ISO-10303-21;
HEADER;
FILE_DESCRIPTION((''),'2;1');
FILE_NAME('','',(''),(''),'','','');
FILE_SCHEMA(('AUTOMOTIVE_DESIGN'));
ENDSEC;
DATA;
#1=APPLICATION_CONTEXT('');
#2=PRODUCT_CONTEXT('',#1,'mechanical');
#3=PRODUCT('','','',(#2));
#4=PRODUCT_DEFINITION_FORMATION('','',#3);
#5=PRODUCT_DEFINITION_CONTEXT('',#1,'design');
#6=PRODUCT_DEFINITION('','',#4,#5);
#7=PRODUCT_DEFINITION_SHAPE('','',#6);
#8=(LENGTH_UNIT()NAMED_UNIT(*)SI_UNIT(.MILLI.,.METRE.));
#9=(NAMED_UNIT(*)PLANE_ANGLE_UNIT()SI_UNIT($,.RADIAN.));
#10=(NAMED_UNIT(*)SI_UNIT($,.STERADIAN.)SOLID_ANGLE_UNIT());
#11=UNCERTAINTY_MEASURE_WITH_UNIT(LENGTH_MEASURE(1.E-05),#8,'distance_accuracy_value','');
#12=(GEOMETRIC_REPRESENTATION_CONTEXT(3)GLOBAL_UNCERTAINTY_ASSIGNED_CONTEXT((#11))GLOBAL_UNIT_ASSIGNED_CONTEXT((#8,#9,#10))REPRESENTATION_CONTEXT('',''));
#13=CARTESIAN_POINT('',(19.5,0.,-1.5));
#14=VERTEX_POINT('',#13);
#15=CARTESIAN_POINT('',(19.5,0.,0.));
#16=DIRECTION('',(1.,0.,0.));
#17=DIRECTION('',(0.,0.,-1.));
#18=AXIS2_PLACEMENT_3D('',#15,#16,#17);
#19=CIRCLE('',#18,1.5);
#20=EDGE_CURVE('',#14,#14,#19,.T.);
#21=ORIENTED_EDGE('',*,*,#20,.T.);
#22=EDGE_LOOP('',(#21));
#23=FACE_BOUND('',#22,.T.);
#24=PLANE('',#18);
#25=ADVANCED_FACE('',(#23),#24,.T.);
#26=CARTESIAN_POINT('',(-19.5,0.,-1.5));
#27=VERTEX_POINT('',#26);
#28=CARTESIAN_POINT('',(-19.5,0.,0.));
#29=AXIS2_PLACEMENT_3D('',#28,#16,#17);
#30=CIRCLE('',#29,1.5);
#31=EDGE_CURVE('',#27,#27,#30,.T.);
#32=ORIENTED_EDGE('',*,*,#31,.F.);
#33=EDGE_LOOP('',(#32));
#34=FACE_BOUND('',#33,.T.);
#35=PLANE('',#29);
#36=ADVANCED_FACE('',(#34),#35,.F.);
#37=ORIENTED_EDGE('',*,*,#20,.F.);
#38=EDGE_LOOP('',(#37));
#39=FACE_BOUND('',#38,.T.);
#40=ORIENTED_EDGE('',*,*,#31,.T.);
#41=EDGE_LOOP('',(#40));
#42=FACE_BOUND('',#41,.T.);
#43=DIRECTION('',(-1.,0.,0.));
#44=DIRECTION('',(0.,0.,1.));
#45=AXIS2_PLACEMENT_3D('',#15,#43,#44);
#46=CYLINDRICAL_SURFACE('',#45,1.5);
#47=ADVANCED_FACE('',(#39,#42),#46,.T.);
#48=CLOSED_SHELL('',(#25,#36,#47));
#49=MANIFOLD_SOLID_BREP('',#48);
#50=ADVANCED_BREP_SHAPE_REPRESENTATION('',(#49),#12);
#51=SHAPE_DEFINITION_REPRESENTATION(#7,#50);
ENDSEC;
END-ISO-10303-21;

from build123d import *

# Parameters (mm, degrees)
BASES_R    = 1.5
BASE_DEPTH = 19.5


with BuildPart() as part:
    # BaseS → Base (new, symmetric)
    with BuildSketch(Plane(origin=(0, 0, 0), x_dir=(0, 0, -1), z_dir=(1, 0, 0))):
        Circle(BASES_R)
    extrude(amount=BASE_DEPTH, both=True)


solid = part.part
